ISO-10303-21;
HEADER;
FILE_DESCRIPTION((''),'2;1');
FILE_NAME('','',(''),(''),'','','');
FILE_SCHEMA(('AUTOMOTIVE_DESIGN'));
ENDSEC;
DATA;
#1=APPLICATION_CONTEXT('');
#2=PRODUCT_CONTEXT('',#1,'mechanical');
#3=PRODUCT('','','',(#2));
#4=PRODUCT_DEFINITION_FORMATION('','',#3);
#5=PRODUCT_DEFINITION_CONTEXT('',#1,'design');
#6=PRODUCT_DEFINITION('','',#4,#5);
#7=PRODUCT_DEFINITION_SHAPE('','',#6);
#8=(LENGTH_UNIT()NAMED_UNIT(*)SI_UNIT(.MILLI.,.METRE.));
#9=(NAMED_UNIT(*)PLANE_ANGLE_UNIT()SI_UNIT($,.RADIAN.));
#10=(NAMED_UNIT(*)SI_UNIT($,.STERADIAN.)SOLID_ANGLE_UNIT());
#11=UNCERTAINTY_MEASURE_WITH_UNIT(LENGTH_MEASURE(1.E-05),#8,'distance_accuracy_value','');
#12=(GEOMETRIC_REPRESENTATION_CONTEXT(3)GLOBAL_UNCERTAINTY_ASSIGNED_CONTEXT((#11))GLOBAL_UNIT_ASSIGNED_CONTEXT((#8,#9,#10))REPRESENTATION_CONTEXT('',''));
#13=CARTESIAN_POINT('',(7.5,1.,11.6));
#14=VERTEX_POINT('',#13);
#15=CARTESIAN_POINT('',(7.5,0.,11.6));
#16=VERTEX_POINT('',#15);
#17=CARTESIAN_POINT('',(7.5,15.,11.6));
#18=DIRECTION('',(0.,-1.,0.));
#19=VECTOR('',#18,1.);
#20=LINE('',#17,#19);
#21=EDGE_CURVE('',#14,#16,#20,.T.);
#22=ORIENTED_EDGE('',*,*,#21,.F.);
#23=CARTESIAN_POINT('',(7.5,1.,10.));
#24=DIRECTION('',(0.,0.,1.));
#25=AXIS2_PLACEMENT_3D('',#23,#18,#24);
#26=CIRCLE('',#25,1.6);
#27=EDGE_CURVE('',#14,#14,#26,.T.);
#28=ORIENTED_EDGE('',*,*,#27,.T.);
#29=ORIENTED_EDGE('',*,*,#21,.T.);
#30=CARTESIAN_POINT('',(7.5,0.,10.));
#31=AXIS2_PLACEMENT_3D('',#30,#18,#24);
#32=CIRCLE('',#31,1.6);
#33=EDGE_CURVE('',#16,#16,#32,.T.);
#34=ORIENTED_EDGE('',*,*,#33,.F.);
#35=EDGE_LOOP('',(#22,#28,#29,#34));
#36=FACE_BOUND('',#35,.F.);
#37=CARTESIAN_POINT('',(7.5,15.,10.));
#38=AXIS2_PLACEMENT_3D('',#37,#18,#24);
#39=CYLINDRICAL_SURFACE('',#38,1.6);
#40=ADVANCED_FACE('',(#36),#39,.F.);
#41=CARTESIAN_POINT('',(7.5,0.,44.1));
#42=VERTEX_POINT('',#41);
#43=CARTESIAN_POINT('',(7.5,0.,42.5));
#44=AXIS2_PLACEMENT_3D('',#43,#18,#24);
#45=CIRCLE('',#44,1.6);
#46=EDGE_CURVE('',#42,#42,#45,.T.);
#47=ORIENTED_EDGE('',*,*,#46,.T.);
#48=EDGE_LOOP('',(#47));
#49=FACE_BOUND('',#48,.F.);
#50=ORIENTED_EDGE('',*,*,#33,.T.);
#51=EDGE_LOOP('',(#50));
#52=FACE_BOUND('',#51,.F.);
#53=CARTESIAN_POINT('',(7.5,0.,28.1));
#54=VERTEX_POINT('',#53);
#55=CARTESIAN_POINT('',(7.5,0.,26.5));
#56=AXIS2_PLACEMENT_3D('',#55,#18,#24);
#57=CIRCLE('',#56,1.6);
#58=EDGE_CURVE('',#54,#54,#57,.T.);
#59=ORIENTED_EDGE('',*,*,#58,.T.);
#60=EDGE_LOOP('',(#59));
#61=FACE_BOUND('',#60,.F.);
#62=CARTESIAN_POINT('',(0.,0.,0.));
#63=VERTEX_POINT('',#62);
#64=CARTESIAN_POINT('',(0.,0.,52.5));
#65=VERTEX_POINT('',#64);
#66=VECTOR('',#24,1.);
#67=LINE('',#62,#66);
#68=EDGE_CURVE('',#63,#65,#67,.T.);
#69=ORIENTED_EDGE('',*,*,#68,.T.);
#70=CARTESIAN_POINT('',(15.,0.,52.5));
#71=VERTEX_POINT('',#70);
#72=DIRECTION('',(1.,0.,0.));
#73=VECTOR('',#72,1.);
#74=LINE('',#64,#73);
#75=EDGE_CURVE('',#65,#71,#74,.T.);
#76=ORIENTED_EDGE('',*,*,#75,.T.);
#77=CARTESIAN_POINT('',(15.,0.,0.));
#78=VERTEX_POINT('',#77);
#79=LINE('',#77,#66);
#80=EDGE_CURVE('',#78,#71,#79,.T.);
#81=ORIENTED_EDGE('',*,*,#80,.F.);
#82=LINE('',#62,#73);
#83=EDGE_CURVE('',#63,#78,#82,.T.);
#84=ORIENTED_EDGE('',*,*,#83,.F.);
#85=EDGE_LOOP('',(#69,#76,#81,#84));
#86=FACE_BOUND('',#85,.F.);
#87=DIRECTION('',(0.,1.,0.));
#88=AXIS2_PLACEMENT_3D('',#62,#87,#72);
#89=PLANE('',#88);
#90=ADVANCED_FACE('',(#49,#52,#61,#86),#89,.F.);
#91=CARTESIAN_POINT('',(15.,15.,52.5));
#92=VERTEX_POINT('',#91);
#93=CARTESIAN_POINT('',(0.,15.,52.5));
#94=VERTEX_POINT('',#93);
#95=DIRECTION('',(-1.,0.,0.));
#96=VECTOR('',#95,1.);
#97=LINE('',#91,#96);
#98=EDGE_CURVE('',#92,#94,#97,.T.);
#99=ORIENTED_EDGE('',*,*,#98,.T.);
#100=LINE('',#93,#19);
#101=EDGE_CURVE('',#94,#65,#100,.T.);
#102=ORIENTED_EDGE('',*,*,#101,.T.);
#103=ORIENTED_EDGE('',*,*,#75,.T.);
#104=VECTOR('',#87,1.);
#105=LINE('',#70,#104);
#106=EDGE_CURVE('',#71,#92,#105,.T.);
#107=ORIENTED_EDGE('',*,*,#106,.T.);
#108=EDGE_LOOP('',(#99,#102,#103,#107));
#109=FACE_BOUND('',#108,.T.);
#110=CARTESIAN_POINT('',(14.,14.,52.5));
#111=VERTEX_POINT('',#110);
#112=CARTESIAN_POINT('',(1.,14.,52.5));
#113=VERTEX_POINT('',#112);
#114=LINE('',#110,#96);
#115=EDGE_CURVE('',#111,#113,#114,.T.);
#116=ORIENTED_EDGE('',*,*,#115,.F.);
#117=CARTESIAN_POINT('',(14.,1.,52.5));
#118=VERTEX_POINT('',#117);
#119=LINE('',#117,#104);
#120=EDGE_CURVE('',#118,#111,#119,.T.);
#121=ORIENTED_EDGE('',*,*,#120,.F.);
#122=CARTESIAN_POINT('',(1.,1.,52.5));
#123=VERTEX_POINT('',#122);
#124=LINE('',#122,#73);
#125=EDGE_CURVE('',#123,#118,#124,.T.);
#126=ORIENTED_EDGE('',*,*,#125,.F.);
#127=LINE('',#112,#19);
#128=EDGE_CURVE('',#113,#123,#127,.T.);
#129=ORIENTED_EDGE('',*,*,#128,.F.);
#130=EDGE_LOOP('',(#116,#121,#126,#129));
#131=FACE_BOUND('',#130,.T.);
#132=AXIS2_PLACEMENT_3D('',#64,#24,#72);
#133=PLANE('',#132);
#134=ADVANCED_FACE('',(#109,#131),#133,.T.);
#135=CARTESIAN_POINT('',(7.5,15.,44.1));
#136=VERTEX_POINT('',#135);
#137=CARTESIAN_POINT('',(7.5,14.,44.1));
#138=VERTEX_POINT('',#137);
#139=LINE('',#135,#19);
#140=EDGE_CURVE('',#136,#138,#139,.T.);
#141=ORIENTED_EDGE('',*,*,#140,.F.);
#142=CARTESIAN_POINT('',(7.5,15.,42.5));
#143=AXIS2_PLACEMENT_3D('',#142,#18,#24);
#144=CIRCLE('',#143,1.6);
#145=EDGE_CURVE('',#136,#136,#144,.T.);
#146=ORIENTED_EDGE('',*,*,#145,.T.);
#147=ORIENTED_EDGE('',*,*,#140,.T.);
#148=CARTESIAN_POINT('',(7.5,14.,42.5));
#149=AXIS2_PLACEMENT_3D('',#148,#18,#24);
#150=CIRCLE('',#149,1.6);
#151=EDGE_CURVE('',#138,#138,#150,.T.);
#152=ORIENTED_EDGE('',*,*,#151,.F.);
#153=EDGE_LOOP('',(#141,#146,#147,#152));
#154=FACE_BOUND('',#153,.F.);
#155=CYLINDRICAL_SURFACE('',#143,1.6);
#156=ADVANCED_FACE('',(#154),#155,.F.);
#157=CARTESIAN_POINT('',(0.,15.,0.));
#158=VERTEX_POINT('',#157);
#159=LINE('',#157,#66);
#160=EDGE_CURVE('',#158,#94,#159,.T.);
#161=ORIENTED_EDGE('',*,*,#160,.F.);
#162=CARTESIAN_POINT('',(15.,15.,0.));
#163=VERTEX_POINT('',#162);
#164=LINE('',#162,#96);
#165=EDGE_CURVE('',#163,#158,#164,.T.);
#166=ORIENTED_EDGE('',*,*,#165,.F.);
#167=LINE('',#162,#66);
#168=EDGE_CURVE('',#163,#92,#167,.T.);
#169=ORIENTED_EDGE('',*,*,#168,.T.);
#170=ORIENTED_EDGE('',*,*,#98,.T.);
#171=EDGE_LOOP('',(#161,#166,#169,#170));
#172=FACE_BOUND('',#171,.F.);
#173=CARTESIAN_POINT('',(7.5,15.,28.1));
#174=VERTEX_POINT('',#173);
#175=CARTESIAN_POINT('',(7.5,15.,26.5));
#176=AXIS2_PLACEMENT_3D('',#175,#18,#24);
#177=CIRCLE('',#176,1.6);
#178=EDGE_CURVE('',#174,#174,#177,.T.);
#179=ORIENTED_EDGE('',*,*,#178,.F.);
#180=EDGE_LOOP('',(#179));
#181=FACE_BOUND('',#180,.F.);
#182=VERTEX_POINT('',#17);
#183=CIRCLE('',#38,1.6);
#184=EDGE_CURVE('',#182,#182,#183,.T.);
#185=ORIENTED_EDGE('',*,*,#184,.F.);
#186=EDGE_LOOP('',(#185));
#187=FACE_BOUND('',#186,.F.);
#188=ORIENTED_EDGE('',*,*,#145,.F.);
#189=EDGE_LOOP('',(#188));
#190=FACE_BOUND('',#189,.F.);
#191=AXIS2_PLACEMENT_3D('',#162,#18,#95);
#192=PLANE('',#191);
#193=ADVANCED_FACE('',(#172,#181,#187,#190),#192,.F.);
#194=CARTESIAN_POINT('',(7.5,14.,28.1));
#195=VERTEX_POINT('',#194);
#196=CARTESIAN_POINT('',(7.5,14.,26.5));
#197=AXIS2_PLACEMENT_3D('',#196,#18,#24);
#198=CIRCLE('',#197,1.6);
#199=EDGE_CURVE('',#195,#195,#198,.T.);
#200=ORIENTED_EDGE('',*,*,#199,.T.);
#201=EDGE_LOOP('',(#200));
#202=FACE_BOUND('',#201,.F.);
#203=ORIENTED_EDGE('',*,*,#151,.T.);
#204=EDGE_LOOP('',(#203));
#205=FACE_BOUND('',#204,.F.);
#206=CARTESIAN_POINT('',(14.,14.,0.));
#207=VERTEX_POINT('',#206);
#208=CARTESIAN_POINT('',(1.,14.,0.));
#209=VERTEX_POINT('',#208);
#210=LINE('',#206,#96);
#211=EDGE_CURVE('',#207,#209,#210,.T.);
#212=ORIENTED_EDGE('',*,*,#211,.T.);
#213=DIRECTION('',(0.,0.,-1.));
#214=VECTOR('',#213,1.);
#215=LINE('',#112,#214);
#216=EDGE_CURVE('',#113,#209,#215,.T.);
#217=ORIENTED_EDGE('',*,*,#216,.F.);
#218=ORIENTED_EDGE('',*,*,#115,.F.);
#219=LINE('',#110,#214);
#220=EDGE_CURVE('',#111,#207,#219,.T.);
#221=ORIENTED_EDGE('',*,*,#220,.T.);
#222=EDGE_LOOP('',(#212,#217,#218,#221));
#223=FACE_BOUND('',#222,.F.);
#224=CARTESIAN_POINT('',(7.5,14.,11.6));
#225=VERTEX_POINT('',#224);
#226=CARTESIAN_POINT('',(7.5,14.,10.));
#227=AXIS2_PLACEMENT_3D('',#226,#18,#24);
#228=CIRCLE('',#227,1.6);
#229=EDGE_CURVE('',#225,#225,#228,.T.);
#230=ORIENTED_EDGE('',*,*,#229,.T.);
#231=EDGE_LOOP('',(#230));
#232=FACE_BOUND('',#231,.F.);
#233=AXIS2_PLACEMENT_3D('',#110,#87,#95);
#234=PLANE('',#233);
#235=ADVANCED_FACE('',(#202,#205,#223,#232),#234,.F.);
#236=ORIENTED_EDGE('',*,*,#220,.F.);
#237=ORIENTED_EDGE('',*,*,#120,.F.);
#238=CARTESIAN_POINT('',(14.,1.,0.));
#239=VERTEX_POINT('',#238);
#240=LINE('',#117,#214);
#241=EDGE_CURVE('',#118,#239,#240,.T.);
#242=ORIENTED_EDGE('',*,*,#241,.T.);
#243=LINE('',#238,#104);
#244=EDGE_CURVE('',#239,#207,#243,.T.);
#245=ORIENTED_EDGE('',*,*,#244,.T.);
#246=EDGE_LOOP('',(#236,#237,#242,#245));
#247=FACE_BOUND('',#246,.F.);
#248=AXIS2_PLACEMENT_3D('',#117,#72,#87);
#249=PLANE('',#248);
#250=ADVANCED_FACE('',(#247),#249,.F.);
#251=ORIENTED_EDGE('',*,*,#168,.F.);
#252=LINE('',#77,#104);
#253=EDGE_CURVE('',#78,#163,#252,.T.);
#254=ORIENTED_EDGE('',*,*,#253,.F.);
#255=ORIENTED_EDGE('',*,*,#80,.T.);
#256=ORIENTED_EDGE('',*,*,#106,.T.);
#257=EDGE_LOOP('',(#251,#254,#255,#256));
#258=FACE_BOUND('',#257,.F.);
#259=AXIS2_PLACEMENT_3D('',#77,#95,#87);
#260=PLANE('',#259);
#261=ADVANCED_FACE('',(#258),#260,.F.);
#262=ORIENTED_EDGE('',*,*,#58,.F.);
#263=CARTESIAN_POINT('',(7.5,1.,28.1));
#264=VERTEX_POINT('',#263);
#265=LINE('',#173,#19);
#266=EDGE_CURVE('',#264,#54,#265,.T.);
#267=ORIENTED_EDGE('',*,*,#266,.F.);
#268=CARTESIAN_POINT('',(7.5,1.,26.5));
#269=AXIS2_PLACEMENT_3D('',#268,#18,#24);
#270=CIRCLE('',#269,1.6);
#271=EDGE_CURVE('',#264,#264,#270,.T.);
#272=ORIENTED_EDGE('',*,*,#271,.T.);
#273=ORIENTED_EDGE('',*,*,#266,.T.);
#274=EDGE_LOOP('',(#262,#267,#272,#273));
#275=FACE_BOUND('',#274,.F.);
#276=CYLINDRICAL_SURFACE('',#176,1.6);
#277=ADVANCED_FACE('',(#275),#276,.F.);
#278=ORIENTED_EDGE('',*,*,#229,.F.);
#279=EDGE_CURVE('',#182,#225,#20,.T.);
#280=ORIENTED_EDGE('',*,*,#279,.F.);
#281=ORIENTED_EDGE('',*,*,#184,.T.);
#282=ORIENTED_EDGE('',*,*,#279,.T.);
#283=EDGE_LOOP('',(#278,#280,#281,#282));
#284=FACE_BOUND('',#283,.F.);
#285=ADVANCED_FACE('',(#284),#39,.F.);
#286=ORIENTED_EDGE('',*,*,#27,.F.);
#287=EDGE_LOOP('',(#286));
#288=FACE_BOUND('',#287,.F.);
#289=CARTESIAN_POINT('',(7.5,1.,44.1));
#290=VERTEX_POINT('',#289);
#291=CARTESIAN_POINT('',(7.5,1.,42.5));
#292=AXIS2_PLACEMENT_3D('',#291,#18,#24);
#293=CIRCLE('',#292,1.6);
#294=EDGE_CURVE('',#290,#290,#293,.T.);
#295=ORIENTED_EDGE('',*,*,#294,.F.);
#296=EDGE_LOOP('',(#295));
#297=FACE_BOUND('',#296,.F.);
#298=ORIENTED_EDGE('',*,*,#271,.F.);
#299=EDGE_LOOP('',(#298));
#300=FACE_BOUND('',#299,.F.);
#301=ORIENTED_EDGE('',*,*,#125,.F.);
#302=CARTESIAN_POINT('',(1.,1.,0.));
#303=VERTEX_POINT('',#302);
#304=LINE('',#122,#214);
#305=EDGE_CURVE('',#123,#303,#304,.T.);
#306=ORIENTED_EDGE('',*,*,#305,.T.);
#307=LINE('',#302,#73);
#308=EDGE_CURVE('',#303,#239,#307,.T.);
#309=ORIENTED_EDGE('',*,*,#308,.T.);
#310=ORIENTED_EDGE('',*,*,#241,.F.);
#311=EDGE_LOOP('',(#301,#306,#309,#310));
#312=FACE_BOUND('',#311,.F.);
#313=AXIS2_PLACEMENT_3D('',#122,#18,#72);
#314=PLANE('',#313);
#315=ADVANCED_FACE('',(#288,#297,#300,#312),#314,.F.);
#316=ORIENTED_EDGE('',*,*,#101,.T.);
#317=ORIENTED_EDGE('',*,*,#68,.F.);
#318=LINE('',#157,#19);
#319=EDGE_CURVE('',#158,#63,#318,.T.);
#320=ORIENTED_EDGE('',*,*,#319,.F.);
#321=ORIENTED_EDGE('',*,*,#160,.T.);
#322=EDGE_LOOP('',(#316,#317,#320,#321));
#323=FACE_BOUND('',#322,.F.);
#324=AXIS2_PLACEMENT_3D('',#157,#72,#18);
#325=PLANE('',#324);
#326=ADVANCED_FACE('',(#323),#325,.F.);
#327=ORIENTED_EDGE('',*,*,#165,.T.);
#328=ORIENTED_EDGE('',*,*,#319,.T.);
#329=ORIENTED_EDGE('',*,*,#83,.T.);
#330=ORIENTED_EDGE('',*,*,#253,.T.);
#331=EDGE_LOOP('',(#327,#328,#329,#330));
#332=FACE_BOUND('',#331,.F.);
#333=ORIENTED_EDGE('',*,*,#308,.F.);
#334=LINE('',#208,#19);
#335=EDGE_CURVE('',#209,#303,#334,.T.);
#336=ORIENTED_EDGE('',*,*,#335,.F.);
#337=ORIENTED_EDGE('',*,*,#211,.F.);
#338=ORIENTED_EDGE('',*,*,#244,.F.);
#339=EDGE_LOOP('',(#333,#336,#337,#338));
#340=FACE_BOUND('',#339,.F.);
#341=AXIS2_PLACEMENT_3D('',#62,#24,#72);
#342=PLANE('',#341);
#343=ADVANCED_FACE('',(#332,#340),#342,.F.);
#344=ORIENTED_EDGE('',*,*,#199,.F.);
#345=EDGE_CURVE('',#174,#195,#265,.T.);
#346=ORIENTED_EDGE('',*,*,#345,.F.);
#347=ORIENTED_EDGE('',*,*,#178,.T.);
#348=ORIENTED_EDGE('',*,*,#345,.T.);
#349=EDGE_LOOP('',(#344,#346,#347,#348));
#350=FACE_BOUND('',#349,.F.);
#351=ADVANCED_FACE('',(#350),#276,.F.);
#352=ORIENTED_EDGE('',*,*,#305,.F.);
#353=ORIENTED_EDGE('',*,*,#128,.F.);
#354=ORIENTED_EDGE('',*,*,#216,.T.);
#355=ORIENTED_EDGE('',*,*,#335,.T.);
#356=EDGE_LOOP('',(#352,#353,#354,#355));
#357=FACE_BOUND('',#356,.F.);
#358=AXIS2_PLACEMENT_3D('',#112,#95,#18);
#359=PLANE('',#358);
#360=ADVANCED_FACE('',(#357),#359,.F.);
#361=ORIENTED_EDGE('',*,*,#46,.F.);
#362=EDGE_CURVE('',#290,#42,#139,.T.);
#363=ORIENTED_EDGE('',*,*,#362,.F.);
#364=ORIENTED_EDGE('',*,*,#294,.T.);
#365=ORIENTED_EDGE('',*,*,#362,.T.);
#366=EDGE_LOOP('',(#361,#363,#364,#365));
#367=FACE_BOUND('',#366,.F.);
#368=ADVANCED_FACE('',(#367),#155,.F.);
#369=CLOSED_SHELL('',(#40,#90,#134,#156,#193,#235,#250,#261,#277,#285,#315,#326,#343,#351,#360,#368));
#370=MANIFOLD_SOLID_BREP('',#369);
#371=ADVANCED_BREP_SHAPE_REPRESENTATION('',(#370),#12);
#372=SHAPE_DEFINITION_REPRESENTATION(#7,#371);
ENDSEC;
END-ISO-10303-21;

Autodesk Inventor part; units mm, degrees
ref_plane "YZ Plane" through (0, 0, 0) normal (1, 0, 0) x (0, 1, 0)
ref_plane "XZ Plane" through (0, 0, 0) normal (0, 1, 0) x (-1, 0, 0)
ref_plane "XY Plane" through (0, 0, 0) normal (0, 0, 1) x (1, 0, 0)
sketch "スケッチ1" plane through (0, 0, 0) normal (0, 0, 1) x (1, 0, 0)
  line L0 (0, 0) -> (15, 0)
  line L1 (15, 0) -> (15, 15)
  line L2 (15, 15) -> (0, 15)
  line L3 (0, 15) -> (0, 0)
  dimension "d0" = 15
  dimension "d1" = 15
extrude "押し出し1" add sketch "スケッチ1" along normal blind 52.5
sketch "スケッチ2" plane through (0, 0, 52.5) normal (0, 0, 1) x (1, 0, 0)
  point P0 (0, 0)
sketch "スケッチ3" plane through (0, 0, 52.5) normal (0, 0, 1) x (1, 0, 0)
  line L0 (1, 1) -> (14, 1)
  line L1 (14, 1) -> (14, 14)
  line L2 (14, 14) -> (1, 14)
  line L3 (1, 14) -> (1, 1)
  line L4 (15, 15) -> (0, 15) projected
  line L5 (15, 0) -> (15, 15) projected
  point P0 (0, 0)
  dimension "d4" = 13
  dimension "d5" = 13
  dimension "d6" = 1
  dimension "d7" = 1
extrude "押し出し2" cut sketch "スケッチ3" against normal blind 52.5
sketch "スケッチ4" plane through (0, 15, 0) normal (0, 1, 0) x (1, 0, 0)
  circle A0 centre (7.5, -42.5) radius 1.6
  line L0 (15, -52.5) -> (0, -52.5) projected
  line L1 (15, 0) -> (15, -52.5) projected
  circle A1 centre (7.5, -10) radius 1.6
  line L2 (15, 0) -> (0, 0) projected
  circle A2 centre (7.5, -26.5) radius 1.6
  dimension "d10" = 3.2
  dimension "d11" = 10
  dimension "d12" = 7.5
  dimension "d13" = 3.2
  dimension "d14" = 10
  dimension "d15" = 7.5
  dimension "d16" = 3.2
  dimension "d17" = 16
  dimension "d18" = 16.5
hole "穴1" at (7.5, 15, 26.5) at (7.5, 15, 10) at (7.5, 15, 42.5) direction (0, -1, 0) diameter 3.2 depth 15
sketch "スケッチ5" plane through (0, 0, 52.5) normal (0, 0, 1) x (1, 0, 0)
  point P0 (0, 0)
  point P1 (7.773, 13.9735)
equation "\"BendRadius\" = Thickness"
equation "\"BendReliefWidth\" = Thickness"
equation "\"BendReliefDepth\" = 0.5 * Thickness"
equation "\"CornerReliefSize\" = 4 * Thickness"
equation "\"MinimumRemnant\" = 2 * Thickness"
equation "\"TransitionRadius\" = BendRadius"
equation "\"JacobiRadiusSize\" = BendRadius"
equation "\"GapSize\" = Thickness"
equation "\"Thickness\" = 0.5"
properties part number "足2"
